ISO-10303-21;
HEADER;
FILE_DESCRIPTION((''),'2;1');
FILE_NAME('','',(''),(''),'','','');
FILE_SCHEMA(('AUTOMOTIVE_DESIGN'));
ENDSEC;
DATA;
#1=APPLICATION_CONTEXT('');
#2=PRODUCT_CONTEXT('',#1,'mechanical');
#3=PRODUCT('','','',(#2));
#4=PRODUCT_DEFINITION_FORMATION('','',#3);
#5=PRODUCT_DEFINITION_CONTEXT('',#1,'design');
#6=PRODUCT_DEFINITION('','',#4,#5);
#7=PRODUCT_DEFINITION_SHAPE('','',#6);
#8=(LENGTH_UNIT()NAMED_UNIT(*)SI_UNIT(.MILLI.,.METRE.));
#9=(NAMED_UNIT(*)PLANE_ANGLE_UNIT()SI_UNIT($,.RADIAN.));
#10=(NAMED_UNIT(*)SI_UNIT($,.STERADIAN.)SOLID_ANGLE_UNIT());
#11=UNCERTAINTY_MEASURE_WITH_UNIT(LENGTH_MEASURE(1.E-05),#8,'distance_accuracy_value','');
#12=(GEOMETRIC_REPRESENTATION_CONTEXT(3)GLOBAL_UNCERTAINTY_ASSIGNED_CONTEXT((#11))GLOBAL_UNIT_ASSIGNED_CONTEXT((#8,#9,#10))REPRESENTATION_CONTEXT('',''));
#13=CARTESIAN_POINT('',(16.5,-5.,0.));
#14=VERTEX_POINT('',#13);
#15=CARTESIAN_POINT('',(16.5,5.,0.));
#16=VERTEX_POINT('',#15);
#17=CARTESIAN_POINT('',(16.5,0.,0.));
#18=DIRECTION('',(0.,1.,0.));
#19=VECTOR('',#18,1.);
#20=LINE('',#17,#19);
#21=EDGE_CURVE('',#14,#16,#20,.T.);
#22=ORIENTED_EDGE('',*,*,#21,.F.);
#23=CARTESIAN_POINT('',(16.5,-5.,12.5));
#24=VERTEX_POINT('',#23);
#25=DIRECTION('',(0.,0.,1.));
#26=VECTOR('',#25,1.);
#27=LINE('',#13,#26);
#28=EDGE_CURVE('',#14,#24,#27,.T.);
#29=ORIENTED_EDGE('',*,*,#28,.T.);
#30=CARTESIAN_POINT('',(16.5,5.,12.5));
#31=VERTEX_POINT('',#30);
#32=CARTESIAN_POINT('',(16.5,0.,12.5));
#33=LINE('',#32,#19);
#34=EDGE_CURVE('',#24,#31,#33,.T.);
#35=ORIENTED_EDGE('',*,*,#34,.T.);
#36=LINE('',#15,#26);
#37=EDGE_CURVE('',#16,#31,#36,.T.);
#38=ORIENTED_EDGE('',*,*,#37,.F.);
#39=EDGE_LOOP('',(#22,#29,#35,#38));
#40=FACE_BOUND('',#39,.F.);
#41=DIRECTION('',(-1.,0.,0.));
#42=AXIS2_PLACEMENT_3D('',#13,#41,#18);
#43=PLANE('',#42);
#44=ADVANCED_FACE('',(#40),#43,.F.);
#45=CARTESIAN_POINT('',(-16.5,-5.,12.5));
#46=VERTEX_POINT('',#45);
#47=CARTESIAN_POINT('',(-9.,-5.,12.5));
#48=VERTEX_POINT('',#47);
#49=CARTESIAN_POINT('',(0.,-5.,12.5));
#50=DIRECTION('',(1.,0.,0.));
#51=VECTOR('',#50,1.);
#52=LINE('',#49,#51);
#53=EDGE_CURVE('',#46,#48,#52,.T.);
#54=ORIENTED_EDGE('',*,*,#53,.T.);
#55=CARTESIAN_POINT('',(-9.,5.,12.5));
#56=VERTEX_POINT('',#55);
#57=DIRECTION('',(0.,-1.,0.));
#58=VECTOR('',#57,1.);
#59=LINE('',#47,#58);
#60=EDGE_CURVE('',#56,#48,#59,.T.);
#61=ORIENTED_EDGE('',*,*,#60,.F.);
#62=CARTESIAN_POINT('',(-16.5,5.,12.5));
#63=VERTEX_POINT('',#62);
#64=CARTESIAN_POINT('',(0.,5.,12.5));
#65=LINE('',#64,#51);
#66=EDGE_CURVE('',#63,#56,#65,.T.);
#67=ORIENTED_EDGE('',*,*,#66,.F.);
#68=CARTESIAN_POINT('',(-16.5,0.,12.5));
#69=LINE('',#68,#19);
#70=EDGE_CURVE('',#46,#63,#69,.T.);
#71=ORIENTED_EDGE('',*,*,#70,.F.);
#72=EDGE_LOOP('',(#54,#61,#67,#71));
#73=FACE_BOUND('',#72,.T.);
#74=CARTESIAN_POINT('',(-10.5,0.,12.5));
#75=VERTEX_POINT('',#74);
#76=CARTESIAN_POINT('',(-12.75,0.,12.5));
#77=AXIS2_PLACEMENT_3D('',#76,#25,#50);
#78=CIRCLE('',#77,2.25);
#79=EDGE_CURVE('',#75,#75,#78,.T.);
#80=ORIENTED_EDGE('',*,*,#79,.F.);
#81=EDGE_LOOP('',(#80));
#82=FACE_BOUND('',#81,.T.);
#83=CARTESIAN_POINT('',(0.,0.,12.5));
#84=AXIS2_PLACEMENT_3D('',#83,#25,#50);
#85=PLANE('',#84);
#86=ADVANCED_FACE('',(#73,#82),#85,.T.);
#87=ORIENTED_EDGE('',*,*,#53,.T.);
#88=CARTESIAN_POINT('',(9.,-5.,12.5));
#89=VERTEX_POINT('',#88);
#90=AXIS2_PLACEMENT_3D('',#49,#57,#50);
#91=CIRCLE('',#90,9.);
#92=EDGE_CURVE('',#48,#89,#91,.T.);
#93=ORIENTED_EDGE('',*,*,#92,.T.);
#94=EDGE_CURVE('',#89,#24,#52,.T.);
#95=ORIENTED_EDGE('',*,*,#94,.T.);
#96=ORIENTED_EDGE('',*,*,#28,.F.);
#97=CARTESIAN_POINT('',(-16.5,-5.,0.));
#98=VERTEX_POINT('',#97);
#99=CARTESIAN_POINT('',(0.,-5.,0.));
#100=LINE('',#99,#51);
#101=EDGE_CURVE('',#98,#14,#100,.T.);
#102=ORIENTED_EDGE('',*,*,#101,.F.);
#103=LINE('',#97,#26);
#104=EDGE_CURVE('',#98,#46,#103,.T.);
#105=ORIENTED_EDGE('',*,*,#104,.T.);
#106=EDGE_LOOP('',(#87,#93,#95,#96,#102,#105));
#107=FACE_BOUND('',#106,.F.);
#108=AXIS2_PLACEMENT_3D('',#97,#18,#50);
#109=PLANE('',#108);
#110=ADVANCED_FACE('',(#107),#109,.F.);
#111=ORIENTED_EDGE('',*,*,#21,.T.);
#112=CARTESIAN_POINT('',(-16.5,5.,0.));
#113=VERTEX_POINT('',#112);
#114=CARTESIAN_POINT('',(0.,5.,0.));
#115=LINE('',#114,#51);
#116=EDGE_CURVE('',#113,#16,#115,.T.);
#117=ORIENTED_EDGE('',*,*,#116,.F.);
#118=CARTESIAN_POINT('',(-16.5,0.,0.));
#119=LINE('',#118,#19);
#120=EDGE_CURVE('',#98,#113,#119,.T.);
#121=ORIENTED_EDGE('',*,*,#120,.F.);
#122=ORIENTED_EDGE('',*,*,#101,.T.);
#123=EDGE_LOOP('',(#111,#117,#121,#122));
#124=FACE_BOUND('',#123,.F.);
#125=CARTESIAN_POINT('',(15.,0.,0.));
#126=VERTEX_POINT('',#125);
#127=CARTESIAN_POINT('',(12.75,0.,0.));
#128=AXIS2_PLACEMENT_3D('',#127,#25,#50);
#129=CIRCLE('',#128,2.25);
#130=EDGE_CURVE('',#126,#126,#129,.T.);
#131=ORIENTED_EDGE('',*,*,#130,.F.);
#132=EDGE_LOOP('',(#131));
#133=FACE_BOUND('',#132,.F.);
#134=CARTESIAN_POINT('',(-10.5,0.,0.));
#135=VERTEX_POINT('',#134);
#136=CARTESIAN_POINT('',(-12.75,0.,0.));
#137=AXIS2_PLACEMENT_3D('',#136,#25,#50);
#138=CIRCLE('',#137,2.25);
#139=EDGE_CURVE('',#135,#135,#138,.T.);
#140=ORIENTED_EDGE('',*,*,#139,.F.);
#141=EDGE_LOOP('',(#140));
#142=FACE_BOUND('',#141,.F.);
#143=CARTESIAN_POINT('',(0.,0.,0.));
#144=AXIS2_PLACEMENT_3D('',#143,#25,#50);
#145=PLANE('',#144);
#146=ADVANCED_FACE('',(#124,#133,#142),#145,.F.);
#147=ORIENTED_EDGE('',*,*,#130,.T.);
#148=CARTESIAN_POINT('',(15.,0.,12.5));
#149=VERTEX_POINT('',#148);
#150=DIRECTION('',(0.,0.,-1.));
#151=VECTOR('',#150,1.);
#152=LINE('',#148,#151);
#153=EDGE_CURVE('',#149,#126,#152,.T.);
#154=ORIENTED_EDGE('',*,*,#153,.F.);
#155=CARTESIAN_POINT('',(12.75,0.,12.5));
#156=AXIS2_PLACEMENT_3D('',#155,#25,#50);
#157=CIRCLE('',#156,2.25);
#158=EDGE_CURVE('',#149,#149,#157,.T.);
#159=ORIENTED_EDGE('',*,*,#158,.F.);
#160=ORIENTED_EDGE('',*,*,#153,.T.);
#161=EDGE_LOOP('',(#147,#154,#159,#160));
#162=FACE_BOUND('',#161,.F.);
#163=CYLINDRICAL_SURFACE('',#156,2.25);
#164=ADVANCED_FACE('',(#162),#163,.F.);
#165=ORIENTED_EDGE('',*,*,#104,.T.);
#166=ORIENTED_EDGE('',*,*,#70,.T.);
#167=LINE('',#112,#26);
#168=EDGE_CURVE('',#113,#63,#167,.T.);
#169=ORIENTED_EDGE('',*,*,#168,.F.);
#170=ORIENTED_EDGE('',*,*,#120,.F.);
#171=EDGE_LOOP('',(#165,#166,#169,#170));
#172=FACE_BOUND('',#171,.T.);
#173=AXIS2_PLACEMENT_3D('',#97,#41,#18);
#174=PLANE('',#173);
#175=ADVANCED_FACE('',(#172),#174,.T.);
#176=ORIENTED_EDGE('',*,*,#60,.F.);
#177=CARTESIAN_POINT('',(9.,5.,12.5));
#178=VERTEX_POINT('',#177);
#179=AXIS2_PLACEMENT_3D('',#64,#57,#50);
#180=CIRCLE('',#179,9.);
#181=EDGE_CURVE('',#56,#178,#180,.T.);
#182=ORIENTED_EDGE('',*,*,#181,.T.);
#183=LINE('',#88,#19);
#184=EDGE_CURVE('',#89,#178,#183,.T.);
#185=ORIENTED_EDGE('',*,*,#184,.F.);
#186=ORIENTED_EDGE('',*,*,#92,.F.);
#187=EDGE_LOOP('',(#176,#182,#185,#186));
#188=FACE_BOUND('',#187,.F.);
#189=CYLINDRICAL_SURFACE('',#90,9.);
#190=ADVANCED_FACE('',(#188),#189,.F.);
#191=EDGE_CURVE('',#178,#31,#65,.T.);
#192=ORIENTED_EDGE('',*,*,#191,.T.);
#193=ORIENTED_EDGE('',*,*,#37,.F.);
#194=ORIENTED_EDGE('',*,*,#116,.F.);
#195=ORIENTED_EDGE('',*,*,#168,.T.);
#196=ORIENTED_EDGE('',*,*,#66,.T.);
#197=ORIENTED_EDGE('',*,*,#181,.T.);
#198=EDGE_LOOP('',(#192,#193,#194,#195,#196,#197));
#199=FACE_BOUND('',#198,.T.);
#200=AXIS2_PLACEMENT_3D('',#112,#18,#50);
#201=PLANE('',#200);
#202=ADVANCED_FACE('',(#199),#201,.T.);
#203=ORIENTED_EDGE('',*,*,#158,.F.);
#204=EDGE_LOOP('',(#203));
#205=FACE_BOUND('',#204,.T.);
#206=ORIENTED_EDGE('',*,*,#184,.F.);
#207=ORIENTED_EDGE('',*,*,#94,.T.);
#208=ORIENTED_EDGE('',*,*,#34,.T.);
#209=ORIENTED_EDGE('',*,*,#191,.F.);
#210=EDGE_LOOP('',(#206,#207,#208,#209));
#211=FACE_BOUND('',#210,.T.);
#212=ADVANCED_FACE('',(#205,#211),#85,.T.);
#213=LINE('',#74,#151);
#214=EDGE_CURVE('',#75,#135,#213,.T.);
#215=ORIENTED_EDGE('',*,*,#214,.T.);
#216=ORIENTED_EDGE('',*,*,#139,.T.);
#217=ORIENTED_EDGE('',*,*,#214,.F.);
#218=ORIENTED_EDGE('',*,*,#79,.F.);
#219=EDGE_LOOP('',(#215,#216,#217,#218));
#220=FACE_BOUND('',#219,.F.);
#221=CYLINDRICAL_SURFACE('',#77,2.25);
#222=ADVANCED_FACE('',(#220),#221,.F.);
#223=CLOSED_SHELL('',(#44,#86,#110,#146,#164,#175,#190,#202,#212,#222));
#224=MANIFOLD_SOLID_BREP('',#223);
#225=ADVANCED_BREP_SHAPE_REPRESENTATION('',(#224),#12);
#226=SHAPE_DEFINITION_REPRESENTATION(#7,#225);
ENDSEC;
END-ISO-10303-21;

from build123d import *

# Parameters (mm, degrees)
F0_W     = 33
F0_H     = 10
F1_DEPTH = 12.5
F2_R     = 9
F3_DEPTH = 10
F4_R     = 2.25
F5_DEPTH = 12.5


with BuildPart() as f1:
    # F0 (on Top) → F1 (new body)
    with BuildSketch(Plane.XY):
        Rectangle(F0_W, F0_H)
    extrude(amount=F1_DEPTH)

    # F2 (on face) → F3 (cut)
    with BuildSketch(Plane.XZ.offset(5)):
        with Locations((0, 12.5)):
            Circle(F2_R)
    extrude(amount=-F3_DEPTH, mode=Mode.SUBTRACT)

    # F4 (on face) → F5 (cut)
    with BuildSketch(Plane.XY.offset(12.5)):
        with Locations((-12.75, 0)):
            Circle(F4_R)
        with Locations((12.75, 0)):
            Circle(F4_R)
    extrude(amount=-F5_DEPTH, mode=Mode.SUBTRACT)


solid = f1.part
